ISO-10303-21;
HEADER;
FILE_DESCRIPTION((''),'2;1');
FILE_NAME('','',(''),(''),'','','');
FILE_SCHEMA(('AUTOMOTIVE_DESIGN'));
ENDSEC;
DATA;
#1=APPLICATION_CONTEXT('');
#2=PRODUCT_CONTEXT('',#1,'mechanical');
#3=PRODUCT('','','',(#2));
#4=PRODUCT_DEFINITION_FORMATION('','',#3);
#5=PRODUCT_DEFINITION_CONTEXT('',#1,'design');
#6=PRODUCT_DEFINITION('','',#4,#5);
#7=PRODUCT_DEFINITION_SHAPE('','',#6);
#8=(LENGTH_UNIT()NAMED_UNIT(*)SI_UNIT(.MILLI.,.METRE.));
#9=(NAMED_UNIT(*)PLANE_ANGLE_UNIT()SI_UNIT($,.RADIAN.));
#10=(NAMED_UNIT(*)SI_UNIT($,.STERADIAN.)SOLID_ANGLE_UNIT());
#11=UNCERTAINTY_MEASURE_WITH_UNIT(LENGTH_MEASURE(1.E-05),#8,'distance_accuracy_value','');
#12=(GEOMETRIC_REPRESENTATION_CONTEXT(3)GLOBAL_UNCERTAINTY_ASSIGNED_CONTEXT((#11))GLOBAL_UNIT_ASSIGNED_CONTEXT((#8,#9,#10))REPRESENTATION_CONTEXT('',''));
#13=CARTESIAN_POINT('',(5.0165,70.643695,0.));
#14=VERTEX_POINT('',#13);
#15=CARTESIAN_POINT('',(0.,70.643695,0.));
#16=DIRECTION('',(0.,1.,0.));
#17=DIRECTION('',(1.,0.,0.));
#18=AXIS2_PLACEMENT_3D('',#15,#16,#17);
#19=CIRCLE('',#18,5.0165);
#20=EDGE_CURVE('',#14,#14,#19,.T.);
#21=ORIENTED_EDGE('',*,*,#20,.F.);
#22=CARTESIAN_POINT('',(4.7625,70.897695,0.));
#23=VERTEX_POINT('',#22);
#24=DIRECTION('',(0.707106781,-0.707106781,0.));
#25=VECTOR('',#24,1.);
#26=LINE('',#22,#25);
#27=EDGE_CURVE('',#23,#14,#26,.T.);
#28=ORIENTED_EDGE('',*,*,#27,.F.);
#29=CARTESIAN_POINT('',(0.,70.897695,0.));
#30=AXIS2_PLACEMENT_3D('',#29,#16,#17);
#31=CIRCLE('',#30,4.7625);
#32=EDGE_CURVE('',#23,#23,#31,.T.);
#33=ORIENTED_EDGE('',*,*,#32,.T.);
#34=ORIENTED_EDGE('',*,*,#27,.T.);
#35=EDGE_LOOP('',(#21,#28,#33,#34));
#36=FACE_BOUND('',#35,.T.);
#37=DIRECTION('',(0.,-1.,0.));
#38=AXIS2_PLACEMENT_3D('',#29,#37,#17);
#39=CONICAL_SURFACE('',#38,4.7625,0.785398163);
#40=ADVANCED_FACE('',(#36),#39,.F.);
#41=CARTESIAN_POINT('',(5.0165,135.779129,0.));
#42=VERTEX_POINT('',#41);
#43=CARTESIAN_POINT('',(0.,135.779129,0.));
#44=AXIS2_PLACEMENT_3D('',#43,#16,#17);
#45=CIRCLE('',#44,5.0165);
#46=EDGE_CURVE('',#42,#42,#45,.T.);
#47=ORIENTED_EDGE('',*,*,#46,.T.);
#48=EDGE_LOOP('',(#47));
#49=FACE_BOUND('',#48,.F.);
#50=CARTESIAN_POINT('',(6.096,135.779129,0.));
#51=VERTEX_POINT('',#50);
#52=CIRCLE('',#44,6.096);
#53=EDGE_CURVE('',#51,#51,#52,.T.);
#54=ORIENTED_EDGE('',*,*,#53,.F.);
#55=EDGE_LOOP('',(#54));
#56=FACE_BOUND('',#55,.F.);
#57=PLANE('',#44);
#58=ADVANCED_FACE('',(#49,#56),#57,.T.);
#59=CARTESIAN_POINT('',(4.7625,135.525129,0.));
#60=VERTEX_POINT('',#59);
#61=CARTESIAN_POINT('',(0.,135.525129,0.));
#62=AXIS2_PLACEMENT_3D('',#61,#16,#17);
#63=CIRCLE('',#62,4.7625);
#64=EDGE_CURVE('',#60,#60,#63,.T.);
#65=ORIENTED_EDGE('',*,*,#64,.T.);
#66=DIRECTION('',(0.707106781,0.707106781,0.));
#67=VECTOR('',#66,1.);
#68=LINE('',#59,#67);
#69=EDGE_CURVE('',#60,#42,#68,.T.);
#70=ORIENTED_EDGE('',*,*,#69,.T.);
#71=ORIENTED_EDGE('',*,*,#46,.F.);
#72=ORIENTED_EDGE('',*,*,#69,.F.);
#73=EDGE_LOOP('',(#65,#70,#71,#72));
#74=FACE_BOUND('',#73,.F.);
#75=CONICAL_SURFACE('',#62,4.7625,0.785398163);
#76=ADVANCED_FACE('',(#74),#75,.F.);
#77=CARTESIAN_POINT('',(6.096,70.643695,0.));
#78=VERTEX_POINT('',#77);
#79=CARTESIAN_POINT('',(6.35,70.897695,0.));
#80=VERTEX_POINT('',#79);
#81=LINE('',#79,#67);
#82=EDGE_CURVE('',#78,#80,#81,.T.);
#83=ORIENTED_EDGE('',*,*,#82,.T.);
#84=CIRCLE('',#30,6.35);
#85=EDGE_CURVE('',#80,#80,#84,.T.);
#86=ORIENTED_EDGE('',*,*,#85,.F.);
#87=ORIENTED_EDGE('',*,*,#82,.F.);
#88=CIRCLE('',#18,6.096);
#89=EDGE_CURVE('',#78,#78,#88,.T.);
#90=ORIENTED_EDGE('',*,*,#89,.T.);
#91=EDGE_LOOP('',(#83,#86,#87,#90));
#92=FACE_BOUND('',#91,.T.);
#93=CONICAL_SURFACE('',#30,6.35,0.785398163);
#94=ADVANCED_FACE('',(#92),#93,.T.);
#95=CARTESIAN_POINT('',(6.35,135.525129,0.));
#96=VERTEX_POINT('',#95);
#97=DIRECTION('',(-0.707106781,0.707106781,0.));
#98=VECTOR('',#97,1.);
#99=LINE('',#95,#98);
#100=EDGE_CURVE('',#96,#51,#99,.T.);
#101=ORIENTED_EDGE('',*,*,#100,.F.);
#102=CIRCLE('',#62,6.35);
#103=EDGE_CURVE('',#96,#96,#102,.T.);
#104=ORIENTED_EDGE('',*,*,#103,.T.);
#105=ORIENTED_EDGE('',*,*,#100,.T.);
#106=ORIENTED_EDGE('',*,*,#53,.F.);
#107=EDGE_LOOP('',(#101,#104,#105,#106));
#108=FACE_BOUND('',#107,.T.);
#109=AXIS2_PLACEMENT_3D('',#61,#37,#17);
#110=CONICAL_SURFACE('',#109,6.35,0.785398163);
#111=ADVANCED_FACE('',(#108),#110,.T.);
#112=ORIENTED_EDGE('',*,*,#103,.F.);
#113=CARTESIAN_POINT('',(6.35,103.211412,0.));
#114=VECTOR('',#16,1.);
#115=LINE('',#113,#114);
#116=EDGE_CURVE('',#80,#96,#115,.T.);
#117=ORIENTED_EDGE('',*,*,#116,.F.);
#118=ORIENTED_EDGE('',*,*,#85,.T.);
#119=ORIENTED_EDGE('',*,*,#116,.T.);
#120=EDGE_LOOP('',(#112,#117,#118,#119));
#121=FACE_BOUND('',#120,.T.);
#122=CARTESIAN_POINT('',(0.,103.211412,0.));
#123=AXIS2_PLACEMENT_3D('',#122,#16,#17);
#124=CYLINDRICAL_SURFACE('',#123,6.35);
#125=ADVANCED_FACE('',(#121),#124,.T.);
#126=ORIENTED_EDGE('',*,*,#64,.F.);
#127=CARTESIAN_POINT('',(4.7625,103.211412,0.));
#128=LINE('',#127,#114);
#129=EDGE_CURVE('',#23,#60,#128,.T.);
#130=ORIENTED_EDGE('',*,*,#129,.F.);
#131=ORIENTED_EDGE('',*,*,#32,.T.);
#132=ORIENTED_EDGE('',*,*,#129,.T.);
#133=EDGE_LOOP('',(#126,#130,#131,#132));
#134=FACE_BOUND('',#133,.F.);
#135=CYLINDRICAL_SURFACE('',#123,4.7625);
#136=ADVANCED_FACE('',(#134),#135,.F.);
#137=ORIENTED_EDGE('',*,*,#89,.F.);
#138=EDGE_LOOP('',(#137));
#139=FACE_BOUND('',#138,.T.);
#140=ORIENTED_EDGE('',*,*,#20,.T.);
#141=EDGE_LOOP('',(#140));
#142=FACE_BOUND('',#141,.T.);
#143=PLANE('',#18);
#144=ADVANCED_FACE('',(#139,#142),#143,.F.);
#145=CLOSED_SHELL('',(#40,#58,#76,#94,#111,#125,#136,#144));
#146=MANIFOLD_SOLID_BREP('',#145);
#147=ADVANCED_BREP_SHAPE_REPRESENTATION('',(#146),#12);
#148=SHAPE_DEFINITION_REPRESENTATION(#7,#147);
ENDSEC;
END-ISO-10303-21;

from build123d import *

# Parameters (mm, degrees)
SKETCH1_W     = 1.5875
SKETCH1_H     = 65.135434212
CHAMFER1_SIZE = 0.254


with BuildPart() as part:
    # Sketch1 → Revolve1 (revolve)
    with BuildSketch(Plane.XY):
        with Locations((5.55625, 103.211412071)):
            Rectangle(SKETCH1_W, SKETCH1_H)
    revolve(axis=Axis((0, 61.118694965, 0), (0, 1, 0)))

    # Chamfer1
    chamfer1_edges = [part.edges().sort_by_distance(p)[0] for p in [
        (-6.35, 70.643694965, 0),
        (-6.35, 135.779129177, 0),
        (-4.7625, 135.779129177, 0),
        (-4.7625, 70.643694965, 0),
    ]]
    chamfer(chamfer1_edges, length=CHAMFER1_SIZE)


solid = part.part
